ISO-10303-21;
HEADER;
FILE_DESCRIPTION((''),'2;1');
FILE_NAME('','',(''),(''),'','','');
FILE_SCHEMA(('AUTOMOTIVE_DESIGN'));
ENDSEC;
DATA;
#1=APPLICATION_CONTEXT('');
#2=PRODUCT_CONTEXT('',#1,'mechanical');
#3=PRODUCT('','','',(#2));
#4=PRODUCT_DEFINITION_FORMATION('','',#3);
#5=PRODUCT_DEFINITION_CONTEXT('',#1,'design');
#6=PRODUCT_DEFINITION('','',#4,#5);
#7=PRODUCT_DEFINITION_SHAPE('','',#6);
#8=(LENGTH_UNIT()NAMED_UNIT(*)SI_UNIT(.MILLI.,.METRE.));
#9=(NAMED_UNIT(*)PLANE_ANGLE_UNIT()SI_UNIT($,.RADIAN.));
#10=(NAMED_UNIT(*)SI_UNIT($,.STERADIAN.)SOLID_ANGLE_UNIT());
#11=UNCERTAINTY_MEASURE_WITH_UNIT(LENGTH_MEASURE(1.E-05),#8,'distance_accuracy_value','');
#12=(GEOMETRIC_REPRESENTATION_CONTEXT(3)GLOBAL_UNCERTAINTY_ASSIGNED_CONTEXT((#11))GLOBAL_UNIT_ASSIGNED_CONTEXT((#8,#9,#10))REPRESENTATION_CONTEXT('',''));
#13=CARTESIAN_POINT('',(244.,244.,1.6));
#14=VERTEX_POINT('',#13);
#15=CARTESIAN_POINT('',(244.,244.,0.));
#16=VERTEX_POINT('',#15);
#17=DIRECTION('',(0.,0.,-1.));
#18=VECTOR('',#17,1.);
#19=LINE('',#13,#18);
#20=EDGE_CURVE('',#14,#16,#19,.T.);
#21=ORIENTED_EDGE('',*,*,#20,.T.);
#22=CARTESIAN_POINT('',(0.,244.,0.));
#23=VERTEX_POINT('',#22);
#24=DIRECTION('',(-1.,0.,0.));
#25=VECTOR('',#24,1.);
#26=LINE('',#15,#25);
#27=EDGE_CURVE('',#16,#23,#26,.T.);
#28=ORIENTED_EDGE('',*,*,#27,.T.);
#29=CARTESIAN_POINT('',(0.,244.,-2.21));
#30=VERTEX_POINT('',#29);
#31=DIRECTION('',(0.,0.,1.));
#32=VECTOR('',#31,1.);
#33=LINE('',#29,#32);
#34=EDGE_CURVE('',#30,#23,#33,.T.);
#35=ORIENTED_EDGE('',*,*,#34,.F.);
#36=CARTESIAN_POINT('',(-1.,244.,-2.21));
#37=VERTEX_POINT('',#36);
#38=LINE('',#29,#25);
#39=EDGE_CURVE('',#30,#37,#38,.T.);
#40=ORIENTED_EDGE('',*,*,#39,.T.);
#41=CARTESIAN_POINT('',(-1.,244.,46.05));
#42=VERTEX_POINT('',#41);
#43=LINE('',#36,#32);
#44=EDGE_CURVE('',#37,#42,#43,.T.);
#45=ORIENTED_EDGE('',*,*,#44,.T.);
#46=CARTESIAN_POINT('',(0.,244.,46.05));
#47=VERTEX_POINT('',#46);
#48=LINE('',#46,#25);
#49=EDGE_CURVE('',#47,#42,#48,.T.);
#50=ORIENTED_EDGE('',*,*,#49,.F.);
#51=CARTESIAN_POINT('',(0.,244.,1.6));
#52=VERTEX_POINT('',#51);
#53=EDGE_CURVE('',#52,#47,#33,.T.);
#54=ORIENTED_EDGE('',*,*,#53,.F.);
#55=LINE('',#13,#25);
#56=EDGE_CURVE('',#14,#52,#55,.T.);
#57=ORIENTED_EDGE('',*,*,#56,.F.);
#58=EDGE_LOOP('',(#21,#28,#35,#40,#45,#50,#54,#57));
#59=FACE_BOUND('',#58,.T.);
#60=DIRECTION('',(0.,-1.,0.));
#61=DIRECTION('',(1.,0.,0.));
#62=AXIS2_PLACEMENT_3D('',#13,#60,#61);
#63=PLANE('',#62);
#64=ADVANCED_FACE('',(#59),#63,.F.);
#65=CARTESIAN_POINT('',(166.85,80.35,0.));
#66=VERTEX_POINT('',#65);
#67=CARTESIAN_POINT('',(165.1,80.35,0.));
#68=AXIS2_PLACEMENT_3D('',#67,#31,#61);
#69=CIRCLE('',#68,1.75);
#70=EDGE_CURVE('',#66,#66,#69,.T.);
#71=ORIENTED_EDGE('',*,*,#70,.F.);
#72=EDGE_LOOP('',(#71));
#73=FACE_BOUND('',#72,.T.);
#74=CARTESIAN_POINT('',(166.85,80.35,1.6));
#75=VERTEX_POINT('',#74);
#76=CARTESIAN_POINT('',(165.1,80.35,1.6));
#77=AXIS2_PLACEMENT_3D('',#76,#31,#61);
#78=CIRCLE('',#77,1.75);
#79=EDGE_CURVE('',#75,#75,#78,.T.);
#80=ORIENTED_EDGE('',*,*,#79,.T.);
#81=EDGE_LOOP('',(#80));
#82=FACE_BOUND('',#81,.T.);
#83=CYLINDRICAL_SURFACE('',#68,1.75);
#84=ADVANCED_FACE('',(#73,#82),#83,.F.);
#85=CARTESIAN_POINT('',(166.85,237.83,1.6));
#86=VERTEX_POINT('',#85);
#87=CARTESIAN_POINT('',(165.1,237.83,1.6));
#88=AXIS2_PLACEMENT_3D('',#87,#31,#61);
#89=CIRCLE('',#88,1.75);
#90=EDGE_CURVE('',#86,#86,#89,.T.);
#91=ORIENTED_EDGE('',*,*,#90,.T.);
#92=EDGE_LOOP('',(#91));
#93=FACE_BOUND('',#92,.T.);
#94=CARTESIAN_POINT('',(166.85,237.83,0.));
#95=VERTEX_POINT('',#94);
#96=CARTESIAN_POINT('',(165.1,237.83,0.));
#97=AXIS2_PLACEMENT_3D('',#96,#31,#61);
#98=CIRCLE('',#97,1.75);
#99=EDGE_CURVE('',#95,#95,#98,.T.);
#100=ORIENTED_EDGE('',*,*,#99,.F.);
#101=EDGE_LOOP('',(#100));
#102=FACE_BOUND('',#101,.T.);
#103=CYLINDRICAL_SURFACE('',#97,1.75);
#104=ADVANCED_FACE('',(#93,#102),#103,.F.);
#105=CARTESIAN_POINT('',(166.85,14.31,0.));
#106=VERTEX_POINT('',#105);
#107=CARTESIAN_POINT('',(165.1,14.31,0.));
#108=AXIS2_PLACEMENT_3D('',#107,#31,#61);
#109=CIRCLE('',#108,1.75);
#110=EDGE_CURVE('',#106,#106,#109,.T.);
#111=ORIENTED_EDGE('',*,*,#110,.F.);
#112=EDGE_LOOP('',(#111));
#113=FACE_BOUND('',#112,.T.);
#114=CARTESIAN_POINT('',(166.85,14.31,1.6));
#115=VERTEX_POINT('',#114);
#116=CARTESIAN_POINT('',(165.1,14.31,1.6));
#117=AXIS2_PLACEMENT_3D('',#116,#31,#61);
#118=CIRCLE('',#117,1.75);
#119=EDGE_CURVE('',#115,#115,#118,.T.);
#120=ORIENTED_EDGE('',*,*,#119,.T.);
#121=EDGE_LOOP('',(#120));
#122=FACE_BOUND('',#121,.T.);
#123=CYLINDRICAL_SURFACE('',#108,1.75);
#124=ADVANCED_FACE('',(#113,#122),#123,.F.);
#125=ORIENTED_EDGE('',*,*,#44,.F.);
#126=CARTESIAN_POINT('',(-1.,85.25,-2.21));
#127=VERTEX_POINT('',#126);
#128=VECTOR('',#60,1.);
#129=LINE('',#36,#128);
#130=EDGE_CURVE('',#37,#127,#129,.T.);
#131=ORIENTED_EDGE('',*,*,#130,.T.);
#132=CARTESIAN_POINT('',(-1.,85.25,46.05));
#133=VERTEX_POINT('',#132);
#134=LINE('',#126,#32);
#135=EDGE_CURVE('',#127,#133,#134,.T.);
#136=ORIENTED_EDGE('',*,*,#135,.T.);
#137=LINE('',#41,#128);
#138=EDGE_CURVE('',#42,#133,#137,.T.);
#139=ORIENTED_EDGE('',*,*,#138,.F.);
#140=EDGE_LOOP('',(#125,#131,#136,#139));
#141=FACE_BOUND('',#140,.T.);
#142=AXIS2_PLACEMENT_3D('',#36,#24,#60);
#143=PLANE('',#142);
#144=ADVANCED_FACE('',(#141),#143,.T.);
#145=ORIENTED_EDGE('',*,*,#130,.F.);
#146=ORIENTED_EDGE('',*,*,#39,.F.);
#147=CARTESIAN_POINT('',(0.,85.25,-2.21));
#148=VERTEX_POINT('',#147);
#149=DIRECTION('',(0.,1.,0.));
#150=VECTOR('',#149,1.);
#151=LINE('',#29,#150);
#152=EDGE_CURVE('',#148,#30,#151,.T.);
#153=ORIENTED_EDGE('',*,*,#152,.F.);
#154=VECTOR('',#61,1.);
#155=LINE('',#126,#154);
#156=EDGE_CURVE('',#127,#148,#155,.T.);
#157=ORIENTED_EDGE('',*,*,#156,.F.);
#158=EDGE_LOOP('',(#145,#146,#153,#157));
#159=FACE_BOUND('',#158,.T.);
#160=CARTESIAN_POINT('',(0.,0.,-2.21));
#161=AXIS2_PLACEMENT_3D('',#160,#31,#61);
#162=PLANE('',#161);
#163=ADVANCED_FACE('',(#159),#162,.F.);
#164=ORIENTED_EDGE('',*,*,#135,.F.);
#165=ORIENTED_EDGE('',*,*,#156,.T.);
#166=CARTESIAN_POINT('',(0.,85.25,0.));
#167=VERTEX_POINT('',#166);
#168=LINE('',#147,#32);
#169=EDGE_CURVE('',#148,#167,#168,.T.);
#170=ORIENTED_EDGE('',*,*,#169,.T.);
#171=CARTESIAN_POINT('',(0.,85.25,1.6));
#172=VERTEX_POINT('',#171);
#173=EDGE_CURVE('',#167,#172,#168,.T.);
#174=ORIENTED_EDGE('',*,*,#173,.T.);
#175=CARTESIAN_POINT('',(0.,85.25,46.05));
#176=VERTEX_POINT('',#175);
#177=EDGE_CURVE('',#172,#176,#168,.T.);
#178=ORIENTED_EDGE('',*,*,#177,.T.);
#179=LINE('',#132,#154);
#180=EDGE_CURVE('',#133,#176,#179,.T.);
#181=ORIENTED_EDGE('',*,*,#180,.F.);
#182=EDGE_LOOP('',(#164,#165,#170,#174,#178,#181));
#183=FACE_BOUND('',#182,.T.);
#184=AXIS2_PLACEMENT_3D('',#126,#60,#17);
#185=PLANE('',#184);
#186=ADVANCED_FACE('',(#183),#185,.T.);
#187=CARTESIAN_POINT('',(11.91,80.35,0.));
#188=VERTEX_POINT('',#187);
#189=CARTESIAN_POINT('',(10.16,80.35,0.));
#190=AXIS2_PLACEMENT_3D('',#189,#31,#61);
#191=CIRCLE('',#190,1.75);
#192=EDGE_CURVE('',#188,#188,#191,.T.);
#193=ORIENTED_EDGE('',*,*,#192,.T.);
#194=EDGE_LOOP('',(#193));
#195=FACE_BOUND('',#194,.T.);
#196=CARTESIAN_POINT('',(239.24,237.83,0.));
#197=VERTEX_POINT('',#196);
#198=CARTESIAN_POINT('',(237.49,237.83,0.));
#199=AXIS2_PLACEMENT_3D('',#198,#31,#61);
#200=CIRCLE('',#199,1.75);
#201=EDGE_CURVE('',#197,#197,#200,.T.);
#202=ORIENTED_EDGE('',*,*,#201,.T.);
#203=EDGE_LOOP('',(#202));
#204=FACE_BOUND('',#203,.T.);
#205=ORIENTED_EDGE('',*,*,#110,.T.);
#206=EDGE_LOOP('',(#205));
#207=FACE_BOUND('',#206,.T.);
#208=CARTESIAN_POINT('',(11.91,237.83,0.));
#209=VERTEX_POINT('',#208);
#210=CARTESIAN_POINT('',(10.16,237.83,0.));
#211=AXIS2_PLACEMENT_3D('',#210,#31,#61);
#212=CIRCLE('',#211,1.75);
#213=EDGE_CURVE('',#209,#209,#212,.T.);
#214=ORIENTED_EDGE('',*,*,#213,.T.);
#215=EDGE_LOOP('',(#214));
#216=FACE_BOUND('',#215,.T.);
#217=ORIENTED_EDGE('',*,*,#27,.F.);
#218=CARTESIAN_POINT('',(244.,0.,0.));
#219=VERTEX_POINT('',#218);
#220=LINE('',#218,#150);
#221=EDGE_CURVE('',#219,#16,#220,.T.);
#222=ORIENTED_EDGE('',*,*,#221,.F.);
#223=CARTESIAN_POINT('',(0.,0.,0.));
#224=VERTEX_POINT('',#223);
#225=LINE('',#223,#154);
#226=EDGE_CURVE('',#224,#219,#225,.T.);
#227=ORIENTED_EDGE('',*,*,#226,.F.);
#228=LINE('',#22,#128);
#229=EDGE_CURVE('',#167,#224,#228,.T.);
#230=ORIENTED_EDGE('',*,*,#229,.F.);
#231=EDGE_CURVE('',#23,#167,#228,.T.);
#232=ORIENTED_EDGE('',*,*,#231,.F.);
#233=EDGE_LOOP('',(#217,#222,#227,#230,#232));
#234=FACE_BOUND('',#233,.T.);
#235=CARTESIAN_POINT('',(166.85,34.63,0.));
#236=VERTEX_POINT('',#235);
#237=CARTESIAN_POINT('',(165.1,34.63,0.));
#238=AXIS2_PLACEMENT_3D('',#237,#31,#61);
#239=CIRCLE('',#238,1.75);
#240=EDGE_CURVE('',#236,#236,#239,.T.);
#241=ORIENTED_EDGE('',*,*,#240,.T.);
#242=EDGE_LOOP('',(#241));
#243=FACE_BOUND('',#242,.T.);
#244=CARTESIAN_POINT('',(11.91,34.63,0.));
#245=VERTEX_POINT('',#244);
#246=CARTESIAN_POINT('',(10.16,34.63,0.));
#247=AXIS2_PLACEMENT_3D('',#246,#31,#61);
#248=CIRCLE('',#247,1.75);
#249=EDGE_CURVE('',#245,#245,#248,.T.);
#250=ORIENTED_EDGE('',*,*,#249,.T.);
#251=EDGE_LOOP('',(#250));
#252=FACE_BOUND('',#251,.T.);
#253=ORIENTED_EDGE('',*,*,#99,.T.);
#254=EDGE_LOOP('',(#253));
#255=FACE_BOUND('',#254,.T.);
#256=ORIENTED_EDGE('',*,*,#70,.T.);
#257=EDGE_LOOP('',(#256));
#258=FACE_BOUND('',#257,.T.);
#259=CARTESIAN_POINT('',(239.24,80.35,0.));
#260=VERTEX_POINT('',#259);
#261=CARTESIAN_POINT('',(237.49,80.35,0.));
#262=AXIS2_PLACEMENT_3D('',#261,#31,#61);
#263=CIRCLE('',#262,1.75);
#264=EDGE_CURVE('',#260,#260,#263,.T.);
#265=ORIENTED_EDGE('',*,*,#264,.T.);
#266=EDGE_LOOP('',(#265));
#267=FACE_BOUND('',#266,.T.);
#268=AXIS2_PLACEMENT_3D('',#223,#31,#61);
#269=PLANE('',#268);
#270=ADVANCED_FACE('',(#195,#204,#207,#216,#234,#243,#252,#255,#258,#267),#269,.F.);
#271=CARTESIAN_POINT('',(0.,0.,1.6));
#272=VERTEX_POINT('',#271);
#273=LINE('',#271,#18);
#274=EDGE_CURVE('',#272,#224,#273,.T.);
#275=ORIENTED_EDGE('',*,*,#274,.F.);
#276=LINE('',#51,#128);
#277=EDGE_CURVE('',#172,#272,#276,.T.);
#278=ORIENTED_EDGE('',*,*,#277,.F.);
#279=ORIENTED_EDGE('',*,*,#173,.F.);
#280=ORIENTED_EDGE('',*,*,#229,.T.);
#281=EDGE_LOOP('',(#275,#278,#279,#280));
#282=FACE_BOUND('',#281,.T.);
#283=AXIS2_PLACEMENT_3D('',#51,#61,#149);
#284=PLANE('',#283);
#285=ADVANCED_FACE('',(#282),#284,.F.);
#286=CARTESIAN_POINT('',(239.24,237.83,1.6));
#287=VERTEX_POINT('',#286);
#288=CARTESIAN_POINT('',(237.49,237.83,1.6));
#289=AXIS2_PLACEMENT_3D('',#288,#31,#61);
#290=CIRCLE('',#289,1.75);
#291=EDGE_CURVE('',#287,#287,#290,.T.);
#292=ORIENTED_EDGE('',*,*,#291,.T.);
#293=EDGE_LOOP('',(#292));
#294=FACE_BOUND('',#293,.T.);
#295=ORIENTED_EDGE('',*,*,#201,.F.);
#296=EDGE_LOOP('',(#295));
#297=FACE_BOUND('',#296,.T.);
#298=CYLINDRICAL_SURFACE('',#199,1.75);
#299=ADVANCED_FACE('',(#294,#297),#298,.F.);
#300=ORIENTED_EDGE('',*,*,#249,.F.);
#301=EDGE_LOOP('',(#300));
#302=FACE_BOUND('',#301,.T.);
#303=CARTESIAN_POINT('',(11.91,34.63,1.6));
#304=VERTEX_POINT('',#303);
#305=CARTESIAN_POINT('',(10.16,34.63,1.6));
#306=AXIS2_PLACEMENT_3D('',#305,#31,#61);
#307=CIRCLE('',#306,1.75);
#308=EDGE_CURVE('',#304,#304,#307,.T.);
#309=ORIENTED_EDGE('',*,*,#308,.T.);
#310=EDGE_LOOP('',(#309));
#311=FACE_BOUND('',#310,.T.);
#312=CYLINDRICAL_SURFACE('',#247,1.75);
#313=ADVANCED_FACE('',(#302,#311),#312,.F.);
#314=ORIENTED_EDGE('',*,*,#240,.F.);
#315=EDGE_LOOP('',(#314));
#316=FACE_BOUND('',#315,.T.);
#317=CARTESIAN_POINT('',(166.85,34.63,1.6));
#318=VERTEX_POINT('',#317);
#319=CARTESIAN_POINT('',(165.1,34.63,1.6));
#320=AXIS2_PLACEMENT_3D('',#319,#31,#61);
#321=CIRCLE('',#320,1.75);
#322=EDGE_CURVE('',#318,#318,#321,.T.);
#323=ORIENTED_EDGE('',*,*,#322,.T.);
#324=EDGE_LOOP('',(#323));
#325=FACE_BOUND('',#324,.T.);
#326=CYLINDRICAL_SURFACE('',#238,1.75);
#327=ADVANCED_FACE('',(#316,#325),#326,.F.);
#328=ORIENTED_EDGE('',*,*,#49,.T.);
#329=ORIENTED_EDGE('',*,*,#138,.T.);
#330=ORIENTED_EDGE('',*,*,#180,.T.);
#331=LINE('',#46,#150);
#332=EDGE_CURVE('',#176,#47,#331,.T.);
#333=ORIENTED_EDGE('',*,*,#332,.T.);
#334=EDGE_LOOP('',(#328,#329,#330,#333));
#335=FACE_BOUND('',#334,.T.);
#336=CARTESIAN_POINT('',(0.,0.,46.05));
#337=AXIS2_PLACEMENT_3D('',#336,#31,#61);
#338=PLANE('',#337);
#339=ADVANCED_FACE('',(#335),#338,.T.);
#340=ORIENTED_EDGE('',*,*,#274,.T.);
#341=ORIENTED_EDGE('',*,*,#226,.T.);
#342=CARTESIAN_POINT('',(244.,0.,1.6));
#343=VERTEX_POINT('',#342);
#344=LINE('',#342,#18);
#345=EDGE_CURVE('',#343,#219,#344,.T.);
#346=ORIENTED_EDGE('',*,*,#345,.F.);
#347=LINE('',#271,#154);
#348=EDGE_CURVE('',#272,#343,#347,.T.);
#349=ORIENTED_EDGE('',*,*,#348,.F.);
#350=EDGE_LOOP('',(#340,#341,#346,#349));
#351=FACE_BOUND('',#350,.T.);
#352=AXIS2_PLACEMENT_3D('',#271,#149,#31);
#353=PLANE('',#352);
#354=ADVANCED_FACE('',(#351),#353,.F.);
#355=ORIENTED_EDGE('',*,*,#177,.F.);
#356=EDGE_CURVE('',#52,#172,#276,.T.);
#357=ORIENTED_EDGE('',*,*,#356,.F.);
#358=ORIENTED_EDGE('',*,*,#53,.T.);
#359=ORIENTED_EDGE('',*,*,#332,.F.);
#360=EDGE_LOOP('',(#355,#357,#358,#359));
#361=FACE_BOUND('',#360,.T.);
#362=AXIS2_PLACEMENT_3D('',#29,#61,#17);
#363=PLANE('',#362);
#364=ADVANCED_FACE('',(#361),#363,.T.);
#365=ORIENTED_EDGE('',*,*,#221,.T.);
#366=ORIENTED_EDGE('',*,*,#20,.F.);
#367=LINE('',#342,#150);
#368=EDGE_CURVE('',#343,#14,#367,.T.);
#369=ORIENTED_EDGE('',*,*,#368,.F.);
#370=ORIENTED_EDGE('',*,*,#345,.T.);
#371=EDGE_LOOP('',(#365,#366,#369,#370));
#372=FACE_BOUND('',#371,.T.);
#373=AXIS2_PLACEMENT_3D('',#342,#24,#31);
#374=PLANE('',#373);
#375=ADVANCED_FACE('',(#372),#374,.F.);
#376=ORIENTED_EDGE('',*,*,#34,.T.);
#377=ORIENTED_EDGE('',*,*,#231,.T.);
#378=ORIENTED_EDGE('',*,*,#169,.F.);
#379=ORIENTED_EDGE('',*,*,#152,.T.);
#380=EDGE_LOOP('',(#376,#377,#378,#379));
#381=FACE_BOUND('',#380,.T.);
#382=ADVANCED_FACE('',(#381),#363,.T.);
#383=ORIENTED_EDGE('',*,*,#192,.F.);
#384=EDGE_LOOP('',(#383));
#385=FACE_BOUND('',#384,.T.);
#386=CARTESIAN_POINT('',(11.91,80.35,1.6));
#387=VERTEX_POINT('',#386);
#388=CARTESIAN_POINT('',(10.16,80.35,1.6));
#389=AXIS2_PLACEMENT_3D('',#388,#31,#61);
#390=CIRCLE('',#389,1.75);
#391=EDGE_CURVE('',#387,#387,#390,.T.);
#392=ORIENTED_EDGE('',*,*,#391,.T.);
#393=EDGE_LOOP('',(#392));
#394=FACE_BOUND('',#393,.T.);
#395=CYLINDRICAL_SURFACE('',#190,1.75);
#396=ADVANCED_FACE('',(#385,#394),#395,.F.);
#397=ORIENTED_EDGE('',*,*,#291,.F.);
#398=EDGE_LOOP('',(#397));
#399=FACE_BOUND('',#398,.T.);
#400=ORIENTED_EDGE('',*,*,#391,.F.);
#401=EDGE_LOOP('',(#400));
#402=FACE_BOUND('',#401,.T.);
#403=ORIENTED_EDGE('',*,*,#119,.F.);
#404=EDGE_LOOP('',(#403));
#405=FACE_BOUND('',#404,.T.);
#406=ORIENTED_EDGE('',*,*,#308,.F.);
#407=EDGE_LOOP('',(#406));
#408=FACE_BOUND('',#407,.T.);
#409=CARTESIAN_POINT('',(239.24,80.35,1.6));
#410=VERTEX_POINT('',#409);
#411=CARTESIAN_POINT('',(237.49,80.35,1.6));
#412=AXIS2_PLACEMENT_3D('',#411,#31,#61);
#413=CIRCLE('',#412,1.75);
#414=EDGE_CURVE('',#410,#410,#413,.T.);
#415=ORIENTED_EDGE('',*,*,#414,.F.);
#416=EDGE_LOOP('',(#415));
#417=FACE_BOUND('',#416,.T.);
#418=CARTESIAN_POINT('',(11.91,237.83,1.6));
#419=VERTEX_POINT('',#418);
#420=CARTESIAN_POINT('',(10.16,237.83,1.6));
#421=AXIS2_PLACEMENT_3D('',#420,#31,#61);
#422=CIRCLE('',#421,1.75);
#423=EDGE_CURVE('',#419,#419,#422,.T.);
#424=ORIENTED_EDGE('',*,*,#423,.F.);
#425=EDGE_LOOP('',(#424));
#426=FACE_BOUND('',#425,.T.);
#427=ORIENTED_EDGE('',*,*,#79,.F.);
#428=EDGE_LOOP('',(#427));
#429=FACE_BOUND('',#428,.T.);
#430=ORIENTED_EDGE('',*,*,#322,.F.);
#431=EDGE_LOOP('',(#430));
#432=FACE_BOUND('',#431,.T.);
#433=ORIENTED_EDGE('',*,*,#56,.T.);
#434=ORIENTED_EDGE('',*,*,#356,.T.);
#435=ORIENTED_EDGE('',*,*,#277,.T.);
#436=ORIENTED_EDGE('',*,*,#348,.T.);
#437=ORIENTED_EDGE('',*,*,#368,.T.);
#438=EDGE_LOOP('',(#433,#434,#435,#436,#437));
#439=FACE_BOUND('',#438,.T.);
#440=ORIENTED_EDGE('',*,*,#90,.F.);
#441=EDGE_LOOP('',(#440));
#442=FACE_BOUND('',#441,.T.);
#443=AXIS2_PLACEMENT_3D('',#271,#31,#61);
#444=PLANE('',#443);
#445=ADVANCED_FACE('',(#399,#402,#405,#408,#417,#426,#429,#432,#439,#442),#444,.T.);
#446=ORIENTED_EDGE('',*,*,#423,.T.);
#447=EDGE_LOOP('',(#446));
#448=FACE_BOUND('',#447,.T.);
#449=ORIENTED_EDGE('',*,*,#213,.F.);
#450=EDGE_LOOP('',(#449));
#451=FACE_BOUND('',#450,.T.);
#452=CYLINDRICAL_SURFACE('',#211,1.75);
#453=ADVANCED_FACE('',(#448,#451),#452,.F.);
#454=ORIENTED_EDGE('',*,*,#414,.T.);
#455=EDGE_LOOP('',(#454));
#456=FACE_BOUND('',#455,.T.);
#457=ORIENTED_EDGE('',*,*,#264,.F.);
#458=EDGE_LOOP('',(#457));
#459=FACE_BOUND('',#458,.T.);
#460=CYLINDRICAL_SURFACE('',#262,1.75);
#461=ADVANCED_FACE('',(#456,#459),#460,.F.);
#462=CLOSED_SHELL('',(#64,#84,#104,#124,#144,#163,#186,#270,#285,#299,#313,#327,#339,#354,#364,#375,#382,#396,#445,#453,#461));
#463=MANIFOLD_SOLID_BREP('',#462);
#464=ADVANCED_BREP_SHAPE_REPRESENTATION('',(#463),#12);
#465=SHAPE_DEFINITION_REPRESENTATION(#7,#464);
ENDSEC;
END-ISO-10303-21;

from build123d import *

# Parameters (mm, degrees)
SKETCH_1_W           = 244
SKETCH_1_H           = 244
EXTRUDE_1_DEPTH      = 1.6
SKETCH_2_R           = 1.75
CUT_EXTRUDE_1_DEPTH  = 346.071818612
EXTRUDE_2_DEPTH      = 44.45
EXTRUDE_2_DEPTH_BACK = 3.81
SKETCH_3_W           = 1
SKETCH_3_H           = 158.75


with BuildPart() as part:
    # 草图1 → 凸台-拉伸1 (new body)
    with BuildSketch(Plane.XY):
        with Locations((122, 122)):
            Rectangle(SKETCH_1_W, SKETCH_1_H)
    extrude(amount=EXTRUDE_1_DEPTH)

    # 草图2 → 切除-拉伸1 (cut, through all)
    with BuildSketch(Plane.XY.offset(1.6)):
        with Locations((10.16, 34.63)):
            Circle(SKETCH_2_R)
        with Locations((10.16, 80.35)):
            Circle(SKETCH_2_R)
        with Locations((165.1, 34.63)):
            Circle(SKETCH_2_R)
        with Locations((165.1, 80.35)):
            Circle(SKETCH_2_R)
        with Locations((165.1, 14.31)):
            Circle(SKETCH_2_R)
        with Locations((237.49, 80.35)):
            Circle(SKETCH_2_R)
        with Locations((10.16, 237.83)):
            Circle(SKETCH_2_R)
        with Locations((165.1, 237.83)):
            Circle(SKETCH_2_R)
        with Locations((237.49, 237.83)):
            Circle(SKETCH_2_R)
    extrude(amount=-CUT_EXTRUDE_1_DEPTH, mode=Mode.SUBTRACT)

    # 草图3 → 凸台-拉伸2 (add, two sides: drawn at the far end of the back side and taken through both)
    with BuildSketch(Plane.XY.offset(1.6).offset(-EXTRUDE_2_DEPTH_BACK)):
        with Locations((-0.5, 164.625)):
            Rectangle(SKETCH_3_W, SKETCH_3_H)
    extrude(amount=EXTRUDE_2_DEPTH + EXTRUDE_2_DEPTH_BACK)


solid = part.part
